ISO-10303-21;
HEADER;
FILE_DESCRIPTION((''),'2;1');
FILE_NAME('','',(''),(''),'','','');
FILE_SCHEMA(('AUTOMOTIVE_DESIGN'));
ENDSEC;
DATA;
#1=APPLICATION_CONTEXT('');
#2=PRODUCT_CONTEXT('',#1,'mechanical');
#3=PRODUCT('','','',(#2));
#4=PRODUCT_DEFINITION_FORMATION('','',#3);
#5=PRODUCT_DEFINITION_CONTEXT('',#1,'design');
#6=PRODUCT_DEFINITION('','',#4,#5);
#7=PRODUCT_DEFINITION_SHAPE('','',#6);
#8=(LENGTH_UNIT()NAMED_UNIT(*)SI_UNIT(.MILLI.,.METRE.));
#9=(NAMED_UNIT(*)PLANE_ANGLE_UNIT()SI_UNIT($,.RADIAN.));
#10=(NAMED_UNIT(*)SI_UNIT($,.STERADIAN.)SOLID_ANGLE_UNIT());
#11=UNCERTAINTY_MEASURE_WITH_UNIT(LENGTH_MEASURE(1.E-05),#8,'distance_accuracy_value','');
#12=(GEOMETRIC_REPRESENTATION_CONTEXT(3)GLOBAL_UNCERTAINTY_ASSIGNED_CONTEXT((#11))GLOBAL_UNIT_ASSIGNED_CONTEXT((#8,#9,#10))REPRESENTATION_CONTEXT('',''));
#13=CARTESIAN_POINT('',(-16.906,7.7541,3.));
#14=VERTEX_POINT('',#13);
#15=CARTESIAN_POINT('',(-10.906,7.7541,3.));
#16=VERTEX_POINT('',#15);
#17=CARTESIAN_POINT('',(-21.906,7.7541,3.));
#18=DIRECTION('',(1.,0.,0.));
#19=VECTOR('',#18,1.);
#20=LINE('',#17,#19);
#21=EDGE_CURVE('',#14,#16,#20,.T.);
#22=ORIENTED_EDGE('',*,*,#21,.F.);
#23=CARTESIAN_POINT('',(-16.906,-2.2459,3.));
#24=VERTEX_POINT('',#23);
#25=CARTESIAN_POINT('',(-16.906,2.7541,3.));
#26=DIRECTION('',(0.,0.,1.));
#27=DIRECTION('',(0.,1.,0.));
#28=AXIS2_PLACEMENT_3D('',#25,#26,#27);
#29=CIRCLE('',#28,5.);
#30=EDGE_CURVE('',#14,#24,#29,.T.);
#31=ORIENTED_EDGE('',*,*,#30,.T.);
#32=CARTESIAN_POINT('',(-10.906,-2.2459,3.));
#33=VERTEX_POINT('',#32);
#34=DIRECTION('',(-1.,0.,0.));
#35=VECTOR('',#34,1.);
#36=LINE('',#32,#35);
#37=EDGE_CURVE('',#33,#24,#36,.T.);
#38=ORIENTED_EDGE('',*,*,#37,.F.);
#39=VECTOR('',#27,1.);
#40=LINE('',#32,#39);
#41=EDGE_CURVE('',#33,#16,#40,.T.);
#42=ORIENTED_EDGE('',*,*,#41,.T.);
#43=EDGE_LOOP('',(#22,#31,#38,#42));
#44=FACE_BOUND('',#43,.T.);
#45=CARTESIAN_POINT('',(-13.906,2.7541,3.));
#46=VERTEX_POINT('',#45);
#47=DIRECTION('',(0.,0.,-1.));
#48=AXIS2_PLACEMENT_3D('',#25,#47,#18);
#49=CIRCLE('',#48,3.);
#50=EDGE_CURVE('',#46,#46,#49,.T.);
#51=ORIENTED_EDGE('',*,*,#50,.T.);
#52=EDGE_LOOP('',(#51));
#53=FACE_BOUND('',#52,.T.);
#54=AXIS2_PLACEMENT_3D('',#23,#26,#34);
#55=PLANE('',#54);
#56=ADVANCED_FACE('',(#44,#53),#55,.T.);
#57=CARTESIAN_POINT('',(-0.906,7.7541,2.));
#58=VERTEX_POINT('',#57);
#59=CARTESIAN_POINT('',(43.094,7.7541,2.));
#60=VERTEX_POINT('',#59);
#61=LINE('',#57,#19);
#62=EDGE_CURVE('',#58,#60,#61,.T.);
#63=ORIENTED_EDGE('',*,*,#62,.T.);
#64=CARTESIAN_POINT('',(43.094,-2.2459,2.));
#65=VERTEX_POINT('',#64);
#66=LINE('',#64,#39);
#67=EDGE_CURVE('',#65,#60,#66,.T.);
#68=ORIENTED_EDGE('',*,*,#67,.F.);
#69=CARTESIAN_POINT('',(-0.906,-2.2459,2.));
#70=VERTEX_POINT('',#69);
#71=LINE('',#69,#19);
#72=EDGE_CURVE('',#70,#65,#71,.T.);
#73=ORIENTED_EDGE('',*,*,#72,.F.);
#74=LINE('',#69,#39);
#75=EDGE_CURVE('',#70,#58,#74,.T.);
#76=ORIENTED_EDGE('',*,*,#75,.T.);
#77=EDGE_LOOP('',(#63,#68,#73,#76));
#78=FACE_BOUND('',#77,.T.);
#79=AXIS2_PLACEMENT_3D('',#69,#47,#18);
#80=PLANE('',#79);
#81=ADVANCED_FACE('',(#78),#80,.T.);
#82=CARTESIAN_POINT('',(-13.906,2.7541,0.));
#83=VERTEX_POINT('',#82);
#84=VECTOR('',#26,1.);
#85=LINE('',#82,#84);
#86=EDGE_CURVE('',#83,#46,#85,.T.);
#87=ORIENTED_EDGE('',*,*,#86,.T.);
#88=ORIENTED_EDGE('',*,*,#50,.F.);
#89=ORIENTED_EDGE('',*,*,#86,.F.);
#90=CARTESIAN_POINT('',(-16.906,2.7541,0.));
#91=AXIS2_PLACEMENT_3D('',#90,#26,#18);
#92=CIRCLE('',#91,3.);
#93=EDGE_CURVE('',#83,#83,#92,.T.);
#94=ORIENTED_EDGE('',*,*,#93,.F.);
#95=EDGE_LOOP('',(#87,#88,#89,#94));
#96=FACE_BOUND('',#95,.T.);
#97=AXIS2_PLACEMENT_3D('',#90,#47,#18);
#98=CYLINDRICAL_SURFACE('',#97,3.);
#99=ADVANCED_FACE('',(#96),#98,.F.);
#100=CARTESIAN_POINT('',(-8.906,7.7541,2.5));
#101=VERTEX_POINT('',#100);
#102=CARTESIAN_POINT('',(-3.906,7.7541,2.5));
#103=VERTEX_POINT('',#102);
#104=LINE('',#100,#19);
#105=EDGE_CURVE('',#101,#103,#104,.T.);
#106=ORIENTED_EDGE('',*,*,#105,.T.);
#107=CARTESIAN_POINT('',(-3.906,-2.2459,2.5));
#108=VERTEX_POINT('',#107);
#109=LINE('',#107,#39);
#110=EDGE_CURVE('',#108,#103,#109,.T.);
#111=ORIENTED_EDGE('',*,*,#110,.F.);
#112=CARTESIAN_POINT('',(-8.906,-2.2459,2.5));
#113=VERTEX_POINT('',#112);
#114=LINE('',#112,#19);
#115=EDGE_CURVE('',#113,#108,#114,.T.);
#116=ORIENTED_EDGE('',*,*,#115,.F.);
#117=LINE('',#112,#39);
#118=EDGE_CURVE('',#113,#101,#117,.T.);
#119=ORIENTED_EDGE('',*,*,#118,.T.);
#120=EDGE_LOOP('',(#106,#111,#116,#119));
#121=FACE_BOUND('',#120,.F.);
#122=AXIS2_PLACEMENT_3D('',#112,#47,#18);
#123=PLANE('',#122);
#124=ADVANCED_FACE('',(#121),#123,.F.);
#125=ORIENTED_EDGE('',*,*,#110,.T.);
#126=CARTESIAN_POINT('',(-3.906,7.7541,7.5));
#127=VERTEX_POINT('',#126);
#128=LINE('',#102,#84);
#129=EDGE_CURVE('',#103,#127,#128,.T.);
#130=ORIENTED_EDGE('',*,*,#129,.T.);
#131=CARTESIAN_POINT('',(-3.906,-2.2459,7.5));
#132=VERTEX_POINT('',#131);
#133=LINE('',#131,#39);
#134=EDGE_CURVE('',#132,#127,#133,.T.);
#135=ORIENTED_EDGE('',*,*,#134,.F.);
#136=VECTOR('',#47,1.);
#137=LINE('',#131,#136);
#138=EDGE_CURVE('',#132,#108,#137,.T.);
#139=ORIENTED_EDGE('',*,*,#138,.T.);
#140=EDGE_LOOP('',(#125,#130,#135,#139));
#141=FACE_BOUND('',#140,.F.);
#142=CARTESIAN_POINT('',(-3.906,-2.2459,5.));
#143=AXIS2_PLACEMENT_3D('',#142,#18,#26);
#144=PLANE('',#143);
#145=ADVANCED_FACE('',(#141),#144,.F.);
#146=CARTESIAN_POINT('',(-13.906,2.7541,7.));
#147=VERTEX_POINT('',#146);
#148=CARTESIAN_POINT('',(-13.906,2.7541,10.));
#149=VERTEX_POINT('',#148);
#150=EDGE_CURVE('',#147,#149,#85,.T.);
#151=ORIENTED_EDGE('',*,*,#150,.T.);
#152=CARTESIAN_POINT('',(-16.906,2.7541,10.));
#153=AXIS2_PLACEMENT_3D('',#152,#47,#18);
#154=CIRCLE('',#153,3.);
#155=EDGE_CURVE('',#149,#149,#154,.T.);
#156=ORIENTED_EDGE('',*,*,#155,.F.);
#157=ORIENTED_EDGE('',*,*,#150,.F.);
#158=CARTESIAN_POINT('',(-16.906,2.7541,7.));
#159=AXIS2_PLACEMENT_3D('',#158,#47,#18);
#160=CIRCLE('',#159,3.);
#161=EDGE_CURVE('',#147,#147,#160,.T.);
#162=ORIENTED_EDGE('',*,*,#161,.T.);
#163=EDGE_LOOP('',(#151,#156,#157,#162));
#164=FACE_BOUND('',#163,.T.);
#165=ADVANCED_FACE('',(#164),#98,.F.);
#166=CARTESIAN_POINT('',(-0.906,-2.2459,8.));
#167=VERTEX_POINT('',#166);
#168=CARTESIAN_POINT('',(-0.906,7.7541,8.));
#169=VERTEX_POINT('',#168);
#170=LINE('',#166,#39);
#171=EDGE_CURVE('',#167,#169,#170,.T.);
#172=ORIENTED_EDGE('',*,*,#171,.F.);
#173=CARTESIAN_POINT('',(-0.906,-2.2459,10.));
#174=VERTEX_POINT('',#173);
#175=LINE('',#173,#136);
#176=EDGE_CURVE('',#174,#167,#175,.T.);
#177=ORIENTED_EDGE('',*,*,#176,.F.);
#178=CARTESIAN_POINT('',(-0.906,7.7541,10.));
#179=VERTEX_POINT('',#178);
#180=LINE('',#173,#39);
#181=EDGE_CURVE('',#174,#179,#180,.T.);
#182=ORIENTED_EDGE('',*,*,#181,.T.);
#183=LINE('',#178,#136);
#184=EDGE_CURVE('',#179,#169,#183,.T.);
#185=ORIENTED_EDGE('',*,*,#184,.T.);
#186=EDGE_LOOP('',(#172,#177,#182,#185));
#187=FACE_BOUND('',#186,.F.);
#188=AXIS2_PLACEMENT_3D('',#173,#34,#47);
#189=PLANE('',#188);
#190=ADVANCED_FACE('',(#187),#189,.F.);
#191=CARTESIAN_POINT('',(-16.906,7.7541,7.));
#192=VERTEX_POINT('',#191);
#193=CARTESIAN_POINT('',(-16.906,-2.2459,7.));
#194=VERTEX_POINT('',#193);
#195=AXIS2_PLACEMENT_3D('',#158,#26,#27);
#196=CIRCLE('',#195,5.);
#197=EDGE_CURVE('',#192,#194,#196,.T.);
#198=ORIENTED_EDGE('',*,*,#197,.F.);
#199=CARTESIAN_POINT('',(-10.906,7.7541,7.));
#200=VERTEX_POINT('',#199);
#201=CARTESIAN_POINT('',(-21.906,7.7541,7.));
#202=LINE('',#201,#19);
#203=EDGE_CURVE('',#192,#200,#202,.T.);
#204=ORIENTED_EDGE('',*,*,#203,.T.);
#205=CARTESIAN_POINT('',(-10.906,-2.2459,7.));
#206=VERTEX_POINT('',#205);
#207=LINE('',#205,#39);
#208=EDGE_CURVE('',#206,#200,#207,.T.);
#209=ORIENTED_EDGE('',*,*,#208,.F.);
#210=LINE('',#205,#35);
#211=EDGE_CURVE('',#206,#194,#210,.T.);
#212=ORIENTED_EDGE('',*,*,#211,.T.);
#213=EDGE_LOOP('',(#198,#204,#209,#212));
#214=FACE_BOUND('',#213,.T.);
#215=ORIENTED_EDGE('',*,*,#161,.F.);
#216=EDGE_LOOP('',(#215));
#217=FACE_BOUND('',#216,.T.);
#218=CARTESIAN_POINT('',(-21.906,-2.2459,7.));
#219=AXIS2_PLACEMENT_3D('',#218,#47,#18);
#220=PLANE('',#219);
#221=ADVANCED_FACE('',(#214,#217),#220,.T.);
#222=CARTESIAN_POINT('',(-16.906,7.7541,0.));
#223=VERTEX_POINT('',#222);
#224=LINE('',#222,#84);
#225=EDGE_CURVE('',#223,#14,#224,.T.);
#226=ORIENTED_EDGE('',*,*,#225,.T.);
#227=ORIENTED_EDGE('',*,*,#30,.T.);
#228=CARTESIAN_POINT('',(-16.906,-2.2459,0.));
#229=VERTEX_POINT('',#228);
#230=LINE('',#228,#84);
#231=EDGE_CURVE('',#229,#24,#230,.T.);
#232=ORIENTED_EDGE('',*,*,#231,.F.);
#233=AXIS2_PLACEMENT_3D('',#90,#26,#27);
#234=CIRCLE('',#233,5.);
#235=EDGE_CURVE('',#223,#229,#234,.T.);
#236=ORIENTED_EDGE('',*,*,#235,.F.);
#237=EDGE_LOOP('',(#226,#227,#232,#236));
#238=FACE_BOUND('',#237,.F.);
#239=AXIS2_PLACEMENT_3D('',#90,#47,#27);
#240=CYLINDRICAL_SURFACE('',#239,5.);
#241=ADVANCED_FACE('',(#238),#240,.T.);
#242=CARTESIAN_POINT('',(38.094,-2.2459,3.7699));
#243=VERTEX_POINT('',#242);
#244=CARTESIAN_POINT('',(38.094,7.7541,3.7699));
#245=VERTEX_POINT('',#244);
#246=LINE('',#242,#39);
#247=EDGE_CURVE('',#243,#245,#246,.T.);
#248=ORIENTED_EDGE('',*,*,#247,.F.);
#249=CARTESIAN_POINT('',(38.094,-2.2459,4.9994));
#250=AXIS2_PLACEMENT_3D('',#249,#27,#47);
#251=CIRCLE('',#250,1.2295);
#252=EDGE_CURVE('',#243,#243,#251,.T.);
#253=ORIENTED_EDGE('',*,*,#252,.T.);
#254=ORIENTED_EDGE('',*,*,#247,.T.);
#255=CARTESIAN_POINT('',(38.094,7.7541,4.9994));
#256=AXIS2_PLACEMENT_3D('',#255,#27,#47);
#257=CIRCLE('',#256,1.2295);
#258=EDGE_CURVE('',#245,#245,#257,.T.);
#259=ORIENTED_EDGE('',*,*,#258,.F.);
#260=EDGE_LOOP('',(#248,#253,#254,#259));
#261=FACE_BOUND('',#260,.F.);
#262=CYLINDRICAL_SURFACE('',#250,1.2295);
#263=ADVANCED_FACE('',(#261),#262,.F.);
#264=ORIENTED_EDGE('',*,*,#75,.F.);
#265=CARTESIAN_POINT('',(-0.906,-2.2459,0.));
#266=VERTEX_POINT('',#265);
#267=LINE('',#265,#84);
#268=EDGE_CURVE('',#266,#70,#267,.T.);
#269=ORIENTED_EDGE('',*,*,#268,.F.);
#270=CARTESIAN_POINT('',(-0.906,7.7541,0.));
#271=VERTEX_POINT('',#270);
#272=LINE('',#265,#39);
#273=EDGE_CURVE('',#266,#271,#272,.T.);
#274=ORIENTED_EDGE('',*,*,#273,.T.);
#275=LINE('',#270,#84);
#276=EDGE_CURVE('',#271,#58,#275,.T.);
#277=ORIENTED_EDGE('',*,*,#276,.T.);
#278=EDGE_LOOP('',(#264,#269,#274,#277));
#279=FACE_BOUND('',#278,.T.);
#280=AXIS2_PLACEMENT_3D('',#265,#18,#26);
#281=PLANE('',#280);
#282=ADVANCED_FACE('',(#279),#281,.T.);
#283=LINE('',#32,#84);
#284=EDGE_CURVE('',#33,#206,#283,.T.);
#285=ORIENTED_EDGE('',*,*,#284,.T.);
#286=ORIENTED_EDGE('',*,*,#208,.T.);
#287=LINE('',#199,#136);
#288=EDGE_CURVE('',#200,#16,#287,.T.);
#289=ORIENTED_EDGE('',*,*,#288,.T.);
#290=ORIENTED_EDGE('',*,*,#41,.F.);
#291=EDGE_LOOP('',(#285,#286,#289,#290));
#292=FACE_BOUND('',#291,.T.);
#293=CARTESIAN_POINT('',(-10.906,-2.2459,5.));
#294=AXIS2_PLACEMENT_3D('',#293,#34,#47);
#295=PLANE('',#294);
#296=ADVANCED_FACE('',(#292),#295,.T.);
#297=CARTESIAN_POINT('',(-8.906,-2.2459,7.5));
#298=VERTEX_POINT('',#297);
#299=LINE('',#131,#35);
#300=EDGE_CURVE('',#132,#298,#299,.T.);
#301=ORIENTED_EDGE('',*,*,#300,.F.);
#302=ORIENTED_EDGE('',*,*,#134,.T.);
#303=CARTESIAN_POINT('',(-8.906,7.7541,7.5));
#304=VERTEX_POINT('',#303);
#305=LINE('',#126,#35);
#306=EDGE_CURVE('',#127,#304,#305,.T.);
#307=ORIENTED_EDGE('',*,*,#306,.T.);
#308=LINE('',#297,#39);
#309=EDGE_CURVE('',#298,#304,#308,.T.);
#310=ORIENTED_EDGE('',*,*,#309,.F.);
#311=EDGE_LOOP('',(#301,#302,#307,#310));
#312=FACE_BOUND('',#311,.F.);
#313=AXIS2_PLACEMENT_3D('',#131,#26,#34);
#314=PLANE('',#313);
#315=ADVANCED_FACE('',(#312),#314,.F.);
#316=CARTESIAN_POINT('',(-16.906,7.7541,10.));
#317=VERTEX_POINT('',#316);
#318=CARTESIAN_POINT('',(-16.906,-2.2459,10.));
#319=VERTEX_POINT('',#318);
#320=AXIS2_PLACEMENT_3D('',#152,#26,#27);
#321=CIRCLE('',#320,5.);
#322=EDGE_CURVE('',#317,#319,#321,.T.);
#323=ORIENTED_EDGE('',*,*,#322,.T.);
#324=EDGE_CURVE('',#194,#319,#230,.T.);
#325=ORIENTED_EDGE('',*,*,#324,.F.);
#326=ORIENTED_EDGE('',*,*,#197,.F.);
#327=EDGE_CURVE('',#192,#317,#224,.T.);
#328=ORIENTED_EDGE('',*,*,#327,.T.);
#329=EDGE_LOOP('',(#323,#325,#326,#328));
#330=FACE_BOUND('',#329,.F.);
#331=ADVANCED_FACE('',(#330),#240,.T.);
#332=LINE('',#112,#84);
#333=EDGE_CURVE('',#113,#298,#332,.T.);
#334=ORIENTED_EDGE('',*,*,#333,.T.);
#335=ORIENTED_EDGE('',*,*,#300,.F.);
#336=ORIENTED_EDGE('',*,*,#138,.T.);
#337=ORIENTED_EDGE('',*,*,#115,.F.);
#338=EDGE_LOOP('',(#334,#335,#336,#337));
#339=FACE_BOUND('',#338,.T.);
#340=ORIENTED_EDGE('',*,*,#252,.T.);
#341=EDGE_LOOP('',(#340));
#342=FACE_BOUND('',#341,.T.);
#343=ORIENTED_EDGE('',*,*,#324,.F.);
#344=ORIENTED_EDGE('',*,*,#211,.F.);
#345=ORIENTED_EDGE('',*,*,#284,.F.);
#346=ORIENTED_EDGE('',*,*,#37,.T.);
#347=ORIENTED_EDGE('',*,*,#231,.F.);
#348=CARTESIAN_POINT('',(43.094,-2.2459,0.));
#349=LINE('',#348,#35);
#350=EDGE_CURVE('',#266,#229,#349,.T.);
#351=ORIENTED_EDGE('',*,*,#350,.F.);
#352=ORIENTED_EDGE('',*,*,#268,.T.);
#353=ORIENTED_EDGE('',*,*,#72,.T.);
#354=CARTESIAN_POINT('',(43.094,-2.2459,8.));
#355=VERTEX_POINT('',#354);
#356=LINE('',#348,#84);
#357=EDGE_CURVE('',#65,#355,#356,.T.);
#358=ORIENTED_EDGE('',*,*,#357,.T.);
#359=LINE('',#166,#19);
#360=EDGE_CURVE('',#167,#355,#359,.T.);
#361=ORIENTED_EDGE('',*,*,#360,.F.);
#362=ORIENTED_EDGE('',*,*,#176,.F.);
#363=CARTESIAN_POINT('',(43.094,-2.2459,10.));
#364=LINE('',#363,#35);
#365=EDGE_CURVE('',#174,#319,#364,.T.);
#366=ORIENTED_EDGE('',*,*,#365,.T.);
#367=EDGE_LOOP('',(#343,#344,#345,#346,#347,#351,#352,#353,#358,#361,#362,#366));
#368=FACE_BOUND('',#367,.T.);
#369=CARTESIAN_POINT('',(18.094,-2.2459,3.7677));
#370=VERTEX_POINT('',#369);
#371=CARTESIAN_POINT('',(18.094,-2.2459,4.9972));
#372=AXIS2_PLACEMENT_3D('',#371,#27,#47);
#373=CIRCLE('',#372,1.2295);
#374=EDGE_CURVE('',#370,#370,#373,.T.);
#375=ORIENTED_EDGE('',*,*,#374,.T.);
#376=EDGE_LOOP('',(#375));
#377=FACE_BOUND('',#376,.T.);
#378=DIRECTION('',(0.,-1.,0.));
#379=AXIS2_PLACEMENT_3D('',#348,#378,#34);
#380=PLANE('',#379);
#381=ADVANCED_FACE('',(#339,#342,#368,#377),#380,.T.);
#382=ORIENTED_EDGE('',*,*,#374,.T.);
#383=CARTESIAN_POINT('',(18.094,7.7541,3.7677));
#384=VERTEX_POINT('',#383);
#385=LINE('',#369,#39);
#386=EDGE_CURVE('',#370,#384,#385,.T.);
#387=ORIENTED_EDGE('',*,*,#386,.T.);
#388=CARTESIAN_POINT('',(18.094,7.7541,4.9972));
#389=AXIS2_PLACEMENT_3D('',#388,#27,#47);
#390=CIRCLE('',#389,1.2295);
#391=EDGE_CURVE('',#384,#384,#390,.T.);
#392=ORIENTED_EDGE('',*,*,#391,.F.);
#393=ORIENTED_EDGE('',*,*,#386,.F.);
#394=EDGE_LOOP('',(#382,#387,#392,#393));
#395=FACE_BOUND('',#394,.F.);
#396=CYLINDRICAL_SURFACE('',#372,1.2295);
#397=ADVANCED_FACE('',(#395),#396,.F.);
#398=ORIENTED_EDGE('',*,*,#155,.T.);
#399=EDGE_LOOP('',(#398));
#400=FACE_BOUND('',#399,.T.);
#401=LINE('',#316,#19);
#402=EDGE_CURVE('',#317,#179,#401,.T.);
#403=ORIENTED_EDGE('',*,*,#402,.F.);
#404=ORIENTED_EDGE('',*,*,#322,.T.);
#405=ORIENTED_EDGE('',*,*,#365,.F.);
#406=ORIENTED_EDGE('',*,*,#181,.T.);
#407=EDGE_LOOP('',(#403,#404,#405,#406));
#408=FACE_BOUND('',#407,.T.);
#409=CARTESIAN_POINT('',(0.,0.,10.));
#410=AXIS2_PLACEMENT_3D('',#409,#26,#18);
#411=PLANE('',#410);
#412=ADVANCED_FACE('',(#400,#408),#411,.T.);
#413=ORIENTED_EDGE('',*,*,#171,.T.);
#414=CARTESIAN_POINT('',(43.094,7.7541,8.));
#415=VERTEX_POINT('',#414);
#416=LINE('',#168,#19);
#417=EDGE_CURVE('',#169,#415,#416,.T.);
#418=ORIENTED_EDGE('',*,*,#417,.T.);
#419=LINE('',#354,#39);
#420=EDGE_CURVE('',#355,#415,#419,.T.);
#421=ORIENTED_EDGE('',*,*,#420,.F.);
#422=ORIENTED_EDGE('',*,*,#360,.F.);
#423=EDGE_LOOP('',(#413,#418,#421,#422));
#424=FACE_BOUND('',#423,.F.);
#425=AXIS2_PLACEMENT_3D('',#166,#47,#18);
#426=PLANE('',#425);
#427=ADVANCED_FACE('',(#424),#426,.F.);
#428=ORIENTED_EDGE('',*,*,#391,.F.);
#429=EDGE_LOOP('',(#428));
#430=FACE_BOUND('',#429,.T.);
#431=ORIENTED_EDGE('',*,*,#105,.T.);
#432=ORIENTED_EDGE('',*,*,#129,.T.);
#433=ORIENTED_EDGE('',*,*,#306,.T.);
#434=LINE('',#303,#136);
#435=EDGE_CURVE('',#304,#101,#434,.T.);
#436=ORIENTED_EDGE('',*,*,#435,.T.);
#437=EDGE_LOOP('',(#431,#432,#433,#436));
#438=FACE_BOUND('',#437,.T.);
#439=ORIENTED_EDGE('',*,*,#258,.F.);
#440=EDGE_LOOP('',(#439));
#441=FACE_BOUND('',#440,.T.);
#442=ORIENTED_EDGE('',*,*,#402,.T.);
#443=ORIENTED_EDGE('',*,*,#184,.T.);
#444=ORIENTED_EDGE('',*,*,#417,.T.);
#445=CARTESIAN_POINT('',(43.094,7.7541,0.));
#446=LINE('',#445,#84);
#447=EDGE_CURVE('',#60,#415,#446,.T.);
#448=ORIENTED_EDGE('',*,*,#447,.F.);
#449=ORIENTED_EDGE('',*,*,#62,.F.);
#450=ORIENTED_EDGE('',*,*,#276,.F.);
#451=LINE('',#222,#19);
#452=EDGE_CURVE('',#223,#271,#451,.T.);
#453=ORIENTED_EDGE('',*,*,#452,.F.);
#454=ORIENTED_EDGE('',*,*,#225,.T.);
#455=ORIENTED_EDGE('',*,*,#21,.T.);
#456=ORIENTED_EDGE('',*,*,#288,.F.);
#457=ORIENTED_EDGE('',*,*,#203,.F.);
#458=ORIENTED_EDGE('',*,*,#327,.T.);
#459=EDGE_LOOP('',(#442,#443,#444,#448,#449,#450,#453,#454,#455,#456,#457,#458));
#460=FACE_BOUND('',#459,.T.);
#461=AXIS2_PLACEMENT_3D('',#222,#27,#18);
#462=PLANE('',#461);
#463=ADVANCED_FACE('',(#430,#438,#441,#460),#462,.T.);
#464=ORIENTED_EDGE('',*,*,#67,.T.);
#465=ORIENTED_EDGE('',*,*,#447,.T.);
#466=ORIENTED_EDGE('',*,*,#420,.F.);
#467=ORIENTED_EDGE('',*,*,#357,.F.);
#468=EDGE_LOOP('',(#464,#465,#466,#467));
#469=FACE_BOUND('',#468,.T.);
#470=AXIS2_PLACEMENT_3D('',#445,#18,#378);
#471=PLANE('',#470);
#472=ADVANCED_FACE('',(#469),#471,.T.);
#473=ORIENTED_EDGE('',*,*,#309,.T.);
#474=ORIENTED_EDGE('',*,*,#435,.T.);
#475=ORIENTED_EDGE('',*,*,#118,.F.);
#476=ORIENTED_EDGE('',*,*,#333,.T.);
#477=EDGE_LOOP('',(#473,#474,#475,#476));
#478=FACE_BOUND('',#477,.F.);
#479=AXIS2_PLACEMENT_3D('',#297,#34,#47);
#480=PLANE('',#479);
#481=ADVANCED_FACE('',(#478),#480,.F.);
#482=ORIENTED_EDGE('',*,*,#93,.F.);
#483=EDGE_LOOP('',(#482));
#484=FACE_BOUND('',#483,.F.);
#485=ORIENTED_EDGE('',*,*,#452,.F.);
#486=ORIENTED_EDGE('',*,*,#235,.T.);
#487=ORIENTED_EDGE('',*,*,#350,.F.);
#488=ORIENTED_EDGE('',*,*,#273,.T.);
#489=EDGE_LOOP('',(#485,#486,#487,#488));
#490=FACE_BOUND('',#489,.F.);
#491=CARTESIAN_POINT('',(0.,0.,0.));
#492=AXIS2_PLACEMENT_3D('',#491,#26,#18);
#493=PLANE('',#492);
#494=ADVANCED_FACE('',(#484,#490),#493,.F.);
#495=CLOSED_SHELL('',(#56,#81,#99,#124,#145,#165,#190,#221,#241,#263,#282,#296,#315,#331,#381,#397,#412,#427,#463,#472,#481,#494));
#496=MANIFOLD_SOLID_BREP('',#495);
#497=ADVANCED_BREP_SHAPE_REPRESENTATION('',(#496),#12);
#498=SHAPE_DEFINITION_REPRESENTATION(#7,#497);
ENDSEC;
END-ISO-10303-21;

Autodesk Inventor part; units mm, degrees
ref_plane "YZ Plane" through (0, 0, 0) normal (1, 0, 0) x (0, 1, 0)
ref_plane "XZ Plane" through (0, 0, 0) normal (0, 1, 0) x (-1, 0, 0)
ref_plane "XY Plane" through (0, 0, 0) normal (0, 0, 1) x (1, 0, 0)
sketch "Szkic1" plane through (0, 0, 0) normal (0, 0, 1) x (1, 0, 0)
  line L0 (-16.906, 7.7541) -> (43.094, 7.7541)
  line L1 (43.094, 7.7541) -> (43.094, -2.2459)
  line L2 (43.094, -2.2459) -> (-16.906, -2.2459)
  line L3 (-16.906, -2.2459) -> (-16.906, 7.7541)
  arc A0 (-16.906, 7.7541) -> (-16.906, -2.2459) centre (-16.906, 2.7541) ccw
  circle A1 centre (-16.906, 2.7541) radius 3
  point P0 (0, 0)
  dimension "d0" = 60
  dimension "d1" = 10
  dimension "d2" = 6
extrude "Wyciągnięcie proste1" add sketch "Szkic1" along normal blind 10 contours L0 L1 L2 L3 A1 | L3 A1 A0
sketch "Szkic2" plane through (-16.906, -2.2459, 0) normal (0, -1, 0) x (1, 0, 0)
  line L0 (0, 0) -> (0, 10) projected
  line L1 (0, 5) -> (-8.6821, 5)
  line L2 (-8.6821, 5) -> (9.8833, 5)
  line L3 (-5, 0) -> (-5, 10) projected
  line L4 (-5, 7) -> (6, 7)
  line L5 (6, 7) -> (6, 3)
  line L6 (6, 3) -> (-5, 3)
  line L7 (-5, 3) -> (-5, 7)
  point P0 (16.906, 0)
  dimension "d5" = 11
  dimension "d6" = 4
extrude "Wyciągnięcie proste2" cut sketch "Szkic2" against normal blind 10
sketch "Szkic3" plane through (-16.906, -2.2459, 0) normal (0, -1, 0) x (1, 0, 0)
  line L0 (0, 10) -> (60, 10) projected
  line L1 (8, 10) -> (8, 0)
  line L2 (6, 7) -> (6, 3) projected
  line L3 (13, 7.5) -> (8, 7.5)
  line L4 (8, 7.5) -> (8, 2.5)
  line L5 (8, 2.5) -> (13, 2.5)
  line L6 (13, 2.5) -> (13, 7.5)
  line L7 (6, 5) -> (16.5434, 5)
  point P0 (16.906, 0)
  dimension "d9" = 2
  dimension "d10" = 5
  dimension "d11" = 5
extrude "Wyciągnięcie proste3" cut sketch "Szkic3" against normal blind 10
sketch "Szkic4" plane through (-16.906, -2.2459, 0) normal (0, -1, 0) x (1, 0, 0)
  line L0 (60, 0) -> (60, 10) projected
  line L1 (60, 10) -> (16, 10)
  line L2 (16, 10) -> (16, 8)
  line L3 (16, 8) -> (60, 8)
  line L4 (60, 8) -> (60, 10)
  line L5 (60, 0) -> (0, 0) projected
  line L6 (60, 0) -> (16, 0)
  line L7 (16, 0) -> (16, 2)
  line L8 (16, 2) -> (60, 2)
  line L9 (60, 2) -> (60, 0)
  point P0 (16.906, 0)
  point P1 (16, 0)
  dimension "d14" = 44
  dimension "d15" = 2
  dimension "d16" = 44
  dimension "d17" = 2
extrude "Wyciągnięcie proste4" cut sketch "Szkic4" against normal blind 10
sketch "Szkic5" plane through (-16.906, -2.2459, 7) normal (0, -1, 0) x (1, 0, 0)
  line L0 (16, 1) -> (60, 1) projected
  line L1 (30, 1) -> (30, -5.0068)
  line L2 (60, -5) -> (60, 1) projected
  line L3 (55, 1) -> (55, -5)
  line L4 (35, 1) -> (35, -5)
  line L5 (60, -5) -> (16, -5) projected
  line L6 (60, -2) -> (30, -2.0034)
  point P0 (16.906, -7)
  point P1 (55, -2.0006)
  point P2 (35, -2.0028)
  dimension "d20" = 30
  dimension "d21" = 5
  dimension "d22" = 25
hole "Otwór1" at (38.094, -2.2459, 4.9994) at (18.094, -2.2459, 4.9972) direction (0, 1, 0) diameter 2.459 end through all thread size "M3x0.5" class "6H" standard "ISO Metric profile"
properties part number "ramie" material "Stal nierdzewna 440C"
